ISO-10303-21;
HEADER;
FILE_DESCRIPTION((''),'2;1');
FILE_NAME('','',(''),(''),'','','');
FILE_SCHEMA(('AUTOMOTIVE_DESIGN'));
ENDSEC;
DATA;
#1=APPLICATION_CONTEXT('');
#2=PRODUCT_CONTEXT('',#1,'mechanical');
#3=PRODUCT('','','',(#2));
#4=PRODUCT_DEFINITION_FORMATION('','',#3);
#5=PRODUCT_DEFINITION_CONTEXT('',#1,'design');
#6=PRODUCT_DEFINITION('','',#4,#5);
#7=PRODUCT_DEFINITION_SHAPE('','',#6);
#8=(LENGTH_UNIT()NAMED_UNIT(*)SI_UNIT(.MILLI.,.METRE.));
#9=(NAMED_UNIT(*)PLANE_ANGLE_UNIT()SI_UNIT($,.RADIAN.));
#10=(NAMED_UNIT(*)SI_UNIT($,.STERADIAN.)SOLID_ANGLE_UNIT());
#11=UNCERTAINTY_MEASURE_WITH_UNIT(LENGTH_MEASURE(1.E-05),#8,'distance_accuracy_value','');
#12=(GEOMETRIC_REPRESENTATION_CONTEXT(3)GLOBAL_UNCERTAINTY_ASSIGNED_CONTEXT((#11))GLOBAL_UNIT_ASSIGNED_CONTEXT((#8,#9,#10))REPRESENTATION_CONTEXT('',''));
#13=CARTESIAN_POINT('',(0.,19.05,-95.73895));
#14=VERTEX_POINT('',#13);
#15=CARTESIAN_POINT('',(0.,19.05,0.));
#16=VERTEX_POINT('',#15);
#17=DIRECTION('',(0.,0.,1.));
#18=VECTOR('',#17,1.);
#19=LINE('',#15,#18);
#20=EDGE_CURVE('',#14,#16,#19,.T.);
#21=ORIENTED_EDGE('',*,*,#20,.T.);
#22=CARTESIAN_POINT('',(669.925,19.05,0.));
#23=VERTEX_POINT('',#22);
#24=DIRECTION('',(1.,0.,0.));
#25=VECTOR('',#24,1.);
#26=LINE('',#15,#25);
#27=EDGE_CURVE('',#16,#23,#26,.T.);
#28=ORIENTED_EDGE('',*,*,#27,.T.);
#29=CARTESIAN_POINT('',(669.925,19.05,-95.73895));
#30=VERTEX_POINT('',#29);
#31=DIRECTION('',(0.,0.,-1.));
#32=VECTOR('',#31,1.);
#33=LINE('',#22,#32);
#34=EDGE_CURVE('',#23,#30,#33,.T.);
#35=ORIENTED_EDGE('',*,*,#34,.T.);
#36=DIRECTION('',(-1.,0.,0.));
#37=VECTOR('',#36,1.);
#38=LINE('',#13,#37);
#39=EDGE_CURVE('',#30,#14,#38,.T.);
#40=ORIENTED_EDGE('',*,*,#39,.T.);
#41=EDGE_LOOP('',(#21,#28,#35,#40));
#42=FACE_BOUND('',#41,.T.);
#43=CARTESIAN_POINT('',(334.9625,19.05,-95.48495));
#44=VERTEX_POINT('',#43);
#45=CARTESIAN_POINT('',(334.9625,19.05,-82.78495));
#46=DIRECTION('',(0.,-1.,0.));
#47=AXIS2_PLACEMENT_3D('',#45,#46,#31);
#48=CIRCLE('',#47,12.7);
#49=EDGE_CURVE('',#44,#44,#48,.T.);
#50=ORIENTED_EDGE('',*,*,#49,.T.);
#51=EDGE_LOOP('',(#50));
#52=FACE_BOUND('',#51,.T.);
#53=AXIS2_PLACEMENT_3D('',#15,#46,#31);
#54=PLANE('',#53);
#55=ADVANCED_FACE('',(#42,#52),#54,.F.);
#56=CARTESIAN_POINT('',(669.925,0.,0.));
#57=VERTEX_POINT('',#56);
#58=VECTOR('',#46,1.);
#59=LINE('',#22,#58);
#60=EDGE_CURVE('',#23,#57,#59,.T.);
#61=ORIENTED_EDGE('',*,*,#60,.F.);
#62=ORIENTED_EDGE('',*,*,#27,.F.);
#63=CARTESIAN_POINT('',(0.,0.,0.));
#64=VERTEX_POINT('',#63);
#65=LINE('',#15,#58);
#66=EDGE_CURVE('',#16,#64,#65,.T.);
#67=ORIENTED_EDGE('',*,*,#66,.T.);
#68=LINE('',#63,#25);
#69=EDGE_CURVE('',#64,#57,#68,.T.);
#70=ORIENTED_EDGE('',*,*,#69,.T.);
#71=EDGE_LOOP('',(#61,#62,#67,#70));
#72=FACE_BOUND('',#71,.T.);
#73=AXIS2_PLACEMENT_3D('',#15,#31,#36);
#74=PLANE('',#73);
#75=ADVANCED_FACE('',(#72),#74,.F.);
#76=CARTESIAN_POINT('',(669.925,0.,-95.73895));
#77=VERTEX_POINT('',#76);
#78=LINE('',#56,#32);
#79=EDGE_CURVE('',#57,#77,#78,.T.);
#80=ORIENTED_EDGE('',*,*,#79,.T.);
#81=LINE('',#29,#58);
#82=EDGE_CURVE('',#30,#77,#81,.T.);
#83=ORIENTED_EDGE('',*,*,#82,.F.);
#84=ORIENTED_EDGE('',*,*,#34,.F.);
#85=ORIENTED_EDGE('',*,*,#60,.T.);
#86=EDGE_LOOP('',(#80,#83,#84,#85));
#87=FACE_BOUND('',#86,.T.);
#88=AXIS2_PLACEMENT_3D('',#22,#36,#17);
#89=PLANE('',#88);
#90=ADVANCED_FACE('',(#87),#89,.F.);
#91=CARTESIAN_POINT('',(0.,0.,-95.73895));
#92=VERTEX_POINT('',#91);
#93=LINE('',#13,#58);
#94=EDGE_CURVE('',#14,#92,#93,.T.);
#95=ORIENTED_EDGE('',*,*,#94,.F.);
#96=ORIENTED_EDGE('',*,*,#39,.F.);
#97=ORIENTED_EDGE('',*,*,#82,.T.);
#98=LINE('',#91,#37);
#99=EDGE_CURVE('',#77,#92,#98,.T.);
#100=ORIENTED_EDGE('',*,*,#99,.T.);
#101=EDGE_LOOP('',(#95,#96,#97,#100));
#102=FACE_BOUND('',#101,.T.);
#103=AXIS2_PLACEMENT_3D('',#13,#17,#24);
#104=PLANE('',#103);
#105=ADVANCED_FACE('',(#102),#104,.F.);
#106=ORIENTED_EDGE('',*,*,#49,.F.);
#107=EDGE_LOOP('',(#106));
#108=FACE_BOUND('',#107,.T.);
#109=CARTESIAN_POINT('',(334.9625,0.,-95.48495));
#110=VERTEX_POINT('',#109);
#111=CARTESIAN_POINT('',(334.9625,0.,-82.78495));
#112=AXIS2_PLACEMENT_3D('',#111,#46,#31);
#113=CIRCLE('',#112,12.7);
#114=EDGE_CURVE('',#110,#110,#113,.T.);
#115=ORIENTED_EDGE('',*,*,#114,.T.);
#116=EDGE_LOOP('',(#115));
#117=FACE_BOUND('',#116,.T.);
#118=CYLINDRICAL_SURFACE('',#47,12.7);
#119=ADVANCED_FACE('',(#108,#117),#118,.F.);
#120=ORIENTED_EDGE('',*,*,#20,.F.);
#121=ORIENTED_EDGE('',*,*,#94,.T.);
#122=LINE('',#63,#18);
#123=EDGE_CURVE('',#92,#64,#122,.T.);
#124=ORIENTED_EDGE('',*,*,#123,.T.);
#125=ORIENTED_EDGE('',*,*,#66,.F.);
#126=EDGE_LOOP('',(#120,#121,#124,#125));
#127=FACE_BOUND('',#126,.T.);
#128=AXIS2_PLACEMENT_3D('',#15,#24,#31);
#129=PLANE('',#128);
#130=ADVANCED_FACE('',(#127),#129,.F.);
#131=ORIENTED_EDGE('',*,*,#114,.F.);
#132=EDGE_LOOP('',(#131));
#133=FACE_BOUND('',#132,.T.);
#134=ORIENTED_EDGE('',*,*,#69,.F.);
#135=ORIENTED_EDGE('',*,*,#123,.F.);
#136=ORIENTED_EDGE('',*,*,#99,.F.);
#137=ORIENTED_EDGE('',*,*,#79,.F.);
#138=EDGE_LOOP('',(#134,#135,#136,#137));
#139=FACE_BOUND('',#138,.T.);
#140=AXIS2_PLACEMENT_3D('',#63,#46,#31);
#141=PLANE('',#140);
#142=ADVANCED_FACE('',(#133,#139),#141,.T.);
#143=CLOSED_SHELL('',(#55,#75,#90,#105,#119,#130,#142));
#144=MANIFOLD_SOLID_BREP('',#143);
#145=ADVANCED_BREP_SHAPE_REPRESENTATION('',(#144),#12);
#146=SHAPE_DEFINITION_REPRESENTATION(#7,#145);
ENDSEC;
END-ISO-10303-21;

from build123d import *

# Parameters (mm, degrees)
SKETCH1_W           = 669.925
SKETCH1_H           = 95.73895
BOSS_EXTRUDE1_DEPTH = 19.05
SKETCH2_R           = 12.7
CUT_EXTRUDE4_DEPTH  = 20.05


with BuildPart() as part:
    # Sketch1 → Boss-Extrude1 (new body)
    with BuildSketch(Plane(origin=(0, 0, 0), x_dir=(1, 0, 0), z_dir=(0, 1, 0))):
        with Locations((334.9625, 47.869475)):
            Rectangle(SKETCH1_W, SKETCH1_H)
    extrude(amount=BOSS_EXTRUDE1_DEPTH)

    # Sketch2 → Cut-Extrude4 (cut, through all)
    with BuildSketch(Plane.XZ):
        with Locations((334.9625, -82.78495)):
            Circle(SKETCH2_R)
    extrude(amount=-CUT_EXTRUDE4_DEPTH, mode=Mode.SUBTRACT)


solid = part.part
